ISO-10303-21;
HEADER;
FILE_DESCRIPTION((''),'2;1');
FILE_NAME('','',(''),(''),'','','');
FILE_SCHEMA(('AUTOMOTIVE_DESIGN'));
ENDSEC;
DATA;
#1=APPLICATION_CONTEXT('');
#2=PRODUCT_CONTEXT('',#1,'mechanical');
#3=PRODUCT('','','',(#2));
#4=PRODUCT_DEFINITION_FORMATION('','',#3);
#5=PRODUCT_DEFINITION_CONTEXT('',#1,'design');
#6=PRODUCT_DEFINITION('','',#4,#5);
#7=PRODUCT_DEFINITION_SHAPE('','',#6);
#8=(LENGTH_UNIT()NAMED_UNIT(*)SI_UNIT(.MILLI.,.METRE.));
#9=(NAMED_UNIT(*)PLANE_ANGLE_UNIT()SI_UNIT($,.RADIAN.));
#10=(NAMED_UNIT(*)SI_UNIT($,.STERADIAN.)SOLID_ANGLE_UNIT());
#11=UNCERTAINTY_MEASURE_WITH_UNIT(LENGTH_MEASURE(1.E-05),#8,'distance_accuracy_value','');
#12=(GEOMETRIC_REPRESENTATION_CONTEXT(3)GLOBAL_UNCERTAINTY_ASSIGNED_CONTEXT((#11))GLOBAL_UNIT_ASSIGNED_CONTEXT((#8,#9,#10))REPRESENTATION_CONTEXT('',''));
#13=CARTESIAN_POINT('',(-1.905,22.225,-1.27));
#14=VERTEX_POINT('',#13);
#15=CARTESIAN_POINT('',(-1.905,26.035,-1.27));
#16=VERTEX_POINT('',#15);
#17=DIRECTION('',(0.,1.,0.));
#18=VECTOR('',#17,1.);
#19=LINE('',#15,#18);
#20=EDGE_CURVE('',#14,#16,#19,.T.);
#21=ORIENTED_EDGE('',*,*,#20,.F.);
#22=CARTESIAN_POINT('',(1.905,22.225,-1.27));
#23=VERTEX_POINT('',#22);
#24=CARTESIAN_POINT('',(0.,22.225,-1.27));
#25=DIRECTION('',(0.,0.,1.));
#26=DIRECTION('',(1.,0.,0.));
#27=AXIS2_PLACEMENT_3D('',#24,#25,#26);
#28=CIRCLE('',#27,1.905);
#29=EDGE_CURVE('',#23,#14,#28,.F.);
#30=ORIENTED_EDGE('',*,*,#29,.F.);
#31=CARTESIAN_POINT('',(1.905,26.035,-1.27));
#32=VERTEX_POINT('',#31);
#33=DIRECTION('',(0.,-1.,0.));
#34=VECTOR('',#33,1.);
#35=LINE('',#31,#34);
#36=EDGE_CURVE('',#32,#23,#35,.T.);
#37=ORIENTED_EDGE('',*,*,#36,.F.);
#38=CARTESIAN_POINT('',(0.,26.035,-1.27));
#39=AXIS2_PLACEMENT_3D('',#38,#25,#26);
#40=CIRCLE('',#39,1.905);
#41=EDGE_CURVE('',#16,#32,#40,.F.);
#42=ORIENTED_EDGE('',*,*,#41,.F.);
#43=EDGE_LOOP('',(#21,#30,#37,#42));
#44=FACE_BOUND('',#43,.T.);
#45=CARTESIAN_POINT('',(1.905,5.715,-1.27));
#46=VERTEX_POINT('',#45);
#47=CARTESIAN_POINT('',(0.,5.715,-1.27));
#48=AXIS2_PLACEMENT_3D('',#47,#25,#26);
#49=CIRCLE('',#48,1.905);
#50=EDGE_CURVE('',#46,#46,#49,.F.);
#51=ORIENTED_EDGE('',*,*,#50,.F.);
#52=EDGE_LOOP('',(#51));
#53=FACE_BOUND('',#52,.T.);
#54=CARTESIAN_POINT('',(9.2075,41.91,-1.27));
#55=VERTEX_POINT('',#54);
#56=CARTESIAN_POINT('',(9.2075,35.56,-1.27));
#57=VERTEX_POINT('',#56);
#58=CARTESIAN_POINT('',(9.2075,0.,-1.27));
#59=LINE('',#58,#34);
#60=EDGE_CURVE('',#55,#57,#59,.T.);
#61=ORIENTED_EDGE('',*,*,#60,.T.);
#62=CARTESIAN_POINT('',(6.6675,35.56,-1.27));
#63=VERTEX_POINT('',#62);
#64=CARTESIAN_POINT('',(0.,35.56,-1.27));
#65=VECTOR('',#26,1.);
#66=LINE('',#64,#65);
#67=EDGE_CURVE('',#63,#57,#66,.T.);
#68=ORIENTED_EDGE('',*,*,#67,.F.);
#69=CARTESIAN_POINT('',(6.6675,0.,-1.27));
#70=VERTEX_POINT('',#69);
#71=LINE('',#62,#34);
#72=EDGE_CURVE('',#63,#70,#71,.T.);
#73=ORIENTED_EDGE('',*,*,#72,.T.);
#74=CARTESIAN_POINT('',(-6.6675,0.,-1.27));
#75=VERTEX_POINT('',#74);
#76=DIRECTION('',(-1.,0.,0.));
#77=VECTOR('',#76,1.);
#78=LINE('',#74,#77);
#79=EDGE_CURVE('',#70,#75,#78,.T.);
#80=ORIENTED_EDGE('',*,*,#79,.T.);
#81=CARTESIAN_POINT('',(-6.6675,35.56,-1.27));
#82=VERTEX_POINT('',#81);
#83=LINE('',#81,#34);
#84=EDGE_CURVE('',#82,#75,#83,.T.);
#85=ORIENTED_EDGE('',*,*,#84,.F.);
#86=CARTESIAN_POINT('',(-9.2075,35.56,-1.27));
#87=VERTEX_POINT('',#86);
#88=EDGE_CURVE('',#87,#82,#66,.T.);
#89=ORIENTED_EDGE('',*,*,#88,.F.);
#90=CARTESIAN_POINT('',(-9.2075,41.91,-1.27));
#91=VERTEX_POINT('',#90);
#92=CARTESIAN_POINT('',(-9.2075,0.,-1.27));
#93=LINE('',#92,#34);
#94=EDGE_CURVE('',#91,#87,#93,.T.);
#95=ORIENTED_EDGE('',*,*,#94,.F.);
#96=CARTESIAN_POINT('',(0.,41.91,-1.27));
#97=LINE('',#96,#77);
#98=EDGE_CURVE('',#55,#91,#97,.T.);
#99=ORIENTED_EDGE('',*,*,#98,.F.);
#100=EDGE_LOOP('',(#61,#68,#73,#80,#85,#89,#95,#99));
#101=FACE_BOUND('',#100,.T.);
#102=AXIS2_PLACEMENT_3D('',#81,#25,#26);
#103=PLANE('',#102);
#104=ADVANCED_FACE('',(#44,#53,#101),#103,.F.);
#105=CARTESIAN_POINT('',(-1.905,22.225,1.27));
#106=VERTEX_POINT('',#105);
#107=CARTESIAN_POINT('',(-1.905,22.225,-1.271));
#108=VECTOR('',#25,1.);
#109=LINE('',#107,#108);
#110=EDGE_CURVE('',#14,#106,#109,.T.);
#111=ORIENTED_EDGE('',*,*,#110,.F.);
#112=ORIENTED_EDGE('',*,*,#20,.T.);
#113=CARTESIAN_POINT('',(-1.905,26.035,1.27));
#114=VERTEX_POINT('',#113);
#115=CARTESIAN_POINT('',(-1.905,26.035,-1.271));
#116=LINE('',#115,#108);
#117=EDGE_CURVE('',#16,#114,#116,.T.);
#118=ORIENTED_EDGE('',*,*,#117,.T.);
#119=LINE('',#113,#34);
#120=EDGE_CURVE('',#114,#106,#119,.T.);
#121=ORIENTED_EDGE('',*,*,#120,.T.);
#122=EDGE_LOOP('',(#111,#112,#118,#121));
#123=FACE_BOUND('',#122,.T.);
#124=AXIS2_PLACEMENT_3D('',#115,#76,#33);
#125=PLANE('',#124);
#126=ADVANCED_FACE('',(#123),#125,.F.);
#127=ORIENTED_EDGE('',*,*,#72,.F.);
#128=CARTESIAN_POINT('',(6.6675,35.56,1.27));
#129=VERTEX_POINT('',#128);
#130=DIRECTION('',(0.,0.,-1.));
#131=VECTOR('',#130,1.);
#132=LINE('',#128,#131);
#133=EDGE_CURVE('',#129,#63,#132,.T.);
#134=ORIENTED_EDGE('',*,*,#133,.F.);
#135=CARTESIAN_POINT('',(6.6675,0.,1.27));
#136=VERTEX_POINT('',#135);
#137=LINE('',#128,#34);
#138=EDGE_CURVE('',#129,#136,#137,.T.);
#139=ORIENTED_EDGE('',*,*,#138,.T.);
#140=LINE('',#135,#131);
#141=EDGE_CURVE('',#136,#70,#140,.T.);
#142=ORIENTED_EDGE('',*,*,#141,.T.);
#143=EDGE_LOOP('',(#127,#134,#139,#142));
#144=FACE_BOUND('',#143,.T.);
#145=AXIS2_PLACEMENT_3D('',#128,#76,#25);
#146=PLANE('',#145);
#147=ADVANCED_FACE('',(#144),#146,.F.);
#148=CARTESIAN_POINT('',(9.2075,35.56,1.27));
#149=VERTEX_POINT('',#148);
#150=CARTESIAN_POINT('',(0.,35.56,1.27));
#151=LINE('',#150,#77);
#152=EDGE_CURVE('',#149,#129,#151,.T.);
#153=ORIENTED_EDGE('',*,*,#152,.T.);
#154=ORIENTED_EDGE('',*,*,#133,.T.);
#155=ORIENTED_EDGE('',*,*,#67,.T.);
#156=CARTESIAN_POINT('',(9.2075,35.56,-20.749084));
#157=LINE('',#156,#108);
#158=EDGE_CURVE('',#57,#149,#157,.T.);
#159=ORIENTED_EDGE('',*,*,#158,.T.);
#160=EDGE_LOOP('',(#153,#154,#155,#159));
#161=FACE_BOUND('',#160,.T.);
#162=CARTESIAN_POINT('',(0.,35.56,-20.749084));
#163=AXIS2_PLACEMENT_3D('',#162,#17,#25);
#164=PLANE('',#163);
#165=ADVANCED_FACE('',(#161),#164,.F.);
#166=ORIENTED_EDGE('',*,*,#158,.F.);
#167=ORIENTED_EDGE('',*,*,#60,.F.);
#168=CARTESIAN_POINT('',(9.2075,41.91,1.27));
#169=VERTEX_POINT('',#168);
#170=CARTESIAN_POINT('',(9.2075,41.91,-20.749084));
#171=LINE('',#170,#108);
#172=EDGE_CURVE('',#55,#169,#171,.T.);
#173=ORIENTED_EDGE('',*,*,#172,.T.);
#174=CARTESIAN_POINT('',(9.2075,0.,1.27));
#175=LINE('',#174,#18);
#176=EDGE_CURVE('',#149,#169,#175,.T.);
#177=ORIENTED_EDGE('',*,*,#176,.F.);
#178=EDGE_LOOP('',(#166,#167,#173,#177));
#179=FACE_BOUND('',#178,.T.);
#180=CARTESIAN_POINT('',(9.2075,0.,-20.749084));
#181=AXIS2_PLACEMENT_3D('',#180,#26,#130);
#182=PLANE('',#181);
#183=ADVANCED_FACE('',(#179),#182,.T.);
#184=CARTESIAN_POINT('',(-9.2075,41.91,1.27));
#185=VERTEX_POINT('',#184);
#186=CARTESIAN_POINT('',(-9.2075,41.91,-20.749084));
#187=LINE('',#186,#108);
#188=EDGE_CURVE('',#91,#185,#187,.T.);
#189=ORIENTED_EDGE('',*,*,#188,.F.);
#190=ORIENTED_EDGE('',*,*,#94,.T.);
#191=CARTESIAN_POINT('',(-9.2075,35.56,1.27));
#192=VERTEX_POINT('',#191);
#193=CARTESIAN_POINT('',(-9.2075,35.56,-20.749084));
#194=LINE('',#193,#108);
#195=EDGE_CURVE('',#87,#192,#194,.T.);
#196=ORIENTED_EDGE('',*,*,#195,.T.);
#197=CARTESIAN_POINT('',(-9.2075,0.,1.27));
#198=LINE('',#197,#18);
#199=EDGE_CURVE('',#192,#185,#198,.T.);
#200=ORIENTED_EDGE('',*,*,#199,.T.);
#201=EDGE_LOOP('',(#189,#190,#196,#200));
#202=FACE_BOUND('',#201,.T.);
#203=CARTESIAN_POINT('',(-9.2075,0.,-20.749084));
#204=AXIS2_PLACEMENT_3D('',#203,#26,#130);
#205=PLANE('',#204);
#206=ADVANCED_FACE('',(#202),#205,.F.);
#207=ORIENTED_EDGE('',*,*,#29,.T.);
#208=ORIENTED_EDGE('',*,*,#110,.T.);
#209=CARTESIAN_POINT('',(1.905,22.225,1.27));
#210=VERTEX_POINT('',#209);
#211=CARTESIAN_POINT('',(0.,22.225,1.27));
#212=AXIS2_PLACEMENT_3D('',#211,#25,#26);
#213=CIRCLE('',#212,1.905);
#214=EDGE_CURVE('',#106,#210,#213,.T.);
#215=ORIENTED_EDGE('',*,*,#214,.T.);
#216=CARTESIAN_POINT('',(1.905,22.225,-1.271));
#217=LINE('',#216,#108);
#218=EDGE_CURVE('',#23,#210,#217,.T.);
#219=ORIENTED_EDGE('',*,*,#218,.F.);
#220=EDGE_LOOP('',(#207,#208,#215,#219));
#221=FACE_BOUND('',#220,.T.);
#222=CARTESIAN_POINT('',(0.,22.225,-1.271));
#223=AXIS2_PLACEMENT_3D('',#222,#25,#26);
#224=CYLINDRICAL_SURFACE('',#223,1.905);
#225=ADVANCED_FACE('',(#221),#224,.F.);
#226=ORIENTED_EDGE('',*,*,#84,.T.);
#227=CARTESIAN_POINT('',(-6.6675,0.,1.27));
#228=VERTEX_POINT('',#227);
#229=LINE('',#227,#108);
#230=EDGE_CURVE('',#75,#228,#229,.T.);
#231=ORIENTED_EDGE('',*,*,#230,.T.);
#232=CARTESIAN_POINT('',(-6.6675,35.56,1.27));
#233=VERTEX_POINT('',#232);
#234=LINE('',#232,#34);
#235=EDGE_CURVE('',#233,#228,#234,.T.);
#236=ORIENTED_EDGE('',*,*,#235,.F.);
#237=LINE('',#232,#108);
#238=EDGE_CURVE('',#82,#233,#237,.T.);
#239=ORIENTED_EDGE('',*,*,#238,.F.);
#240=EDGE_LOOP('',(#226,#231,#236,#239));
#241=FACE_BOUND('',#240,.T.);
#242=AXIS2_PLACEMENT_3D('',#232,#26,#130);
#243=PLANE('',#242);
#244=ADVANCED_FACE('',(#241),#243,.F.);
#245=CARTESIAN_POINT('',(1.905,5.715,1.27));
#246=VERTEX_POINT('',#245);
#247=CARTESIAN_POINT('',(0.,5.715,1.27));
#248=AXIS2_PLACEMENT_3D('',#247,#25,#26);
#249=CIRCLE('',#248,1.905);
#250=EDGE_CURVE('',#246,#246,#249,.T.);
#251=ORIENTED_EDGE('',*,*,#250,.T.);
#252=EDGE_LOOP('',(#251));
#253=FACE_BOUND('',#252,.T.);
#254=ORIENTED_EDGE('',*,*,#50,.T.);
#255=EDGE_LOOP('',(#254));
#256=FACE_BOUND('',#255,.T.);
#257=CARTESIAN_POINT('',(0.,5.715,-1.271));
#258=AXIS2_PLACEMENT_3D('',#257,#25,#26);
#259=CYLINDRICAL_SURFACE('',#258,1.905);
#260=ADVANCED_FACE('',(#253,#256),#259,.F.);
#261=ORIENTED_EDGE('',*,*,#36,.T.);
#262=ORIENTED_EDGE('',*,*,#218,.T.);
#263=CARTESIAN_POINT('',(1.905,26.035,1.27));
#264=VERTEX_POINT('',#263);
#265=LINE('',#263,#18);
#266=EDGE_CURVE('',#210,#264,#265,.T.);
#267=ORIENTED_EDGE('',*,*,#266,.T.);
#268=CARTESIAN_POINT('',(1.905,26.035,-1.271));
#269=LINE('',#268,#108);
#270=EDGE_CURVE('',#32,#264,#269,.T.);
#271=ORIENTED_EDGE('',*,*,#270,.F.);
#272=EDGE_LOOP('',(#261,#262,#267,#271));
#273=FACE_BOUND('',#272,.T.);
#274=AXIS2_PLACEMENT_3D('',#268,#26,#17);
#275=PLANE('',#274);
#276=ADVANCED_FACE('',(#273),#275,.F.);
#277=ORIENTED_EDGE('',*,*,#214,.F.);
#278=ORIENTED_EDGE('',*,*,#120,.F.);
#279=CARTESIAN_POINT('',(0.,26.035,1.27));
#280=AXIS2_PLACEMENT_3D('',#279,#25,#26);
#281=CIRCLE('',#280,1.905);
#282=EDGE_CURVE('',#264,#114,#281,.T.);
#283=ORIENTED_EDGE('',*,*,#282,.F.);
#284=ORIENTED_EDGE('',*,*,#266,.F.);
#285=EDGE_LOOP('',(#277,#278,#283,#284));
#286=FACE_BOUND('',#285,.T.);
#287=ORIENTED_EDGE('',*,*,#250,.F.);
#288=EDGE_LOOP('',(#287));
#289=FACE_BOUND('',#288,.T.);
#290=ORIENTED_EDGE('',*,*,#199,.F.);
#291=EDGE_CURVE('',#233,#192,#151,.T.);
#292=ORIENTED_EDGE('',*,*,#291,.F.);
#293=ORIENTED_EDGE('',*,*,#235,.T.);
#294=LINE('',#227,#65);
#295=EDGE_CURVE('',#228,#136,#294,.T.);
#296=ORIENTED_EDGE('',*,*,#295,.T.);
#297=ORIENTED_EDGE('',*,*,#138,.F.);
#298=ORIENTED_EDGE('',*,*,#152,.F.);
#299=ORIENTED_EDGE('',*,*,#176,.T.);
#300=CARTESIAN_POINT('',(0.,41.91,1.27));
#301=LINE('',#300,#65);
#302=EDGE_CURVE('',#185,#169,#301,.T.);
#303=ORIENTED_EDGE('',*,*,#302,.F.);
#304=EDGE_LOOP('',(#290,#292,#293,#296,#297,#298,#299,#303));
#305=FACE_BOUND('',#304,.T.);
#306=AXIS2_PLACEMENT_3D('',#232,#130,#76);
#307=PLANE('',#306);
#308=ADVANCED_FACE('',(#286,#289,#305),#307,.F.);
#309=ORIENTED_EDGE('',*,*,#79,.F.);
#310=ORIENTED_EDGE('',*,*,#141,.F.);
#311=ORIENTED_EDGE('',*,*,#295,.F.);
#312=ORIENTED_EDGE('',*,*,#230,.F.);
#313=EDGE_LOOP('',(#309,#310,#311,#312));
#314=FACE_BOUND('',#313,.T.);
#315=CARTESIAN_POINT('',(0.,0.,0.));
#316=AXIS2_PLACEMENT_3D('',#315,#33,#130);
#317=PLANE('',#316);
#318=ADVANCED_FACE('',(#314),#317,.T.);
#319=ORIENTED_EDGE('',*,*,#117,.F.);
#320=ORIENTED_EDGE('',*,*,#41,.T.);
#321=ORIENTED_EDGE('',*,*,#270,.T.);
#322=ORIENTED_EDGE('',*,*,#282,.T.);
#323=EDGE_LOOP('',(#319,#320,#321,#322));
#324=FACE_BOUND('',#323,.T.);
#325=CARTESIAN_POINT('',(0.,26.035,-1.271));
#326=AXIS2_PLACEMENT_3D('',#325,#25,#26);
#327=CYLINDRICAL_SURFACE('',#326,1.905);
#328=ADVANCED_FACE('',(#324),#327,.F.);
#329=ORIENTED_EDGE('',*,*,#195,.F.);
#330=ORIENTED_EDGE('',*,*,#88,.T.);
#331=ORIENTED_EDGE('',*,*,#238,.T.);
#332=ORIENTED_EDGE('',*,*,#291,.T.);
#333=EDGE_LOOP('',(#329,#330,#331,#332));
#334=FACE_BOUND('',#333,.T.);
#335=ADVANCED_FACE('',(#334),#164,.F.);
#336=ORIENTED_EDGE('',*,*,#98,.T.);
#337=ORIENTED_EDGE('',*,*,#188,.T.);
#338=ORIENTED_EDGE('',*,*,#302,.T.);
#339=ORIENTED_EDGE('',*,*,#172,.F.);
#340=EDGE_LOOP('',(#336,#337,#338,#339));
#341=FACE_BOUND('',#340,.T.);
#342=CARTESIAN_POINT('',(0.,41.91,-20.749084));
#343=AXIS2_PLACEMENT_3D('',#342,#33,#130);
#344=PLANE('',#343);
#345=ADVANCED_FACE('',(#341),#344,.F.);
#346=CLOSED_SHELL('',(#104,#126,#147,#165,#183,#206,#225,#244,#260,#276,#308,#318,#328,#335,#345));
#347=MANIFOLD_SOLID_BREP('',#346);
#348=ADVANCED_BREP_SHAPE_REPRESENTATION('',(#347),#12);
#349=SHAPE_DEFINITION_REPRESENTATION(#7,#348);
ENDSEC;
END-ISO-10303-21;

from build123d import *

# Parameters (mm, degrees)
SKETCH1_W           = 13.335
SKETCH1_H           = 2.54
BOSS_EXTRUDE1_DEPTH = 35.56
BOSS_EXTRUDE2_DEPTH = 2.54
CUT_EXTRUDE1_REACH  = 4.54
SKETCH3_R           = 1.905


with BuildPart() as part:
    # Sketch1 → Boss-Extrude1 (new body)
    with BuildSketch(Plane(origin=(0, 0, 0), x_dir=(1, 0, 0), z_dir=(0, 1, 0))):
        Rectangle(SKETCH1_W, SKETCH1_H)
    extrude(amount=BOSS_EXTRUDE1_DEPTH)

    # Sketch2 → Boss-Extrude2 (add)
    with BuildSketch(Plane.XY.offset(1.27)):
        Polygon((-9.2075, 35.56), (-6.6675, 35.56), (6.6675, 35.56), (9.2075, 35.56), (9.2075, 41.91), (-9.2075, 41.91), align=None)
    extrude(amount=-BOSS_EXTRUDE2_DEPTH)

    # Sketch3 → Cut-Extrude1 (cut, up to next)
    with BuildSketch(Plane.XY.offset(1.27), mode=Mode.PRIVATE) as cut_extrude1_sk1:
        with Locations((0, 5.715)):
            Circle(SKETCH3_R)
    cut_extrude1_tool1 = extrude(cut_extrude1_sk1.sketch, amount=-CUT_EXTRUDE1_REACH, mode=Mode.PRIVATE) & part.part
    add(cut_extrude1_tool1.solids().sort_by_distance((0, 5.715, 1.27))[0], mode=Mode.SUBTRACT)
    # Sketch3 → Cut-Extrude1 (cut, up to next)
    with BuildSketch(Plane.XY.offset(1.27), mode=Mode.PRIVATE) as cut_extrude1_sk2:
        with BuildLine():
            Line((1.905, 26.035), (1.905, 22.225))
            ThreePointArc((1.905, 22.225), (0, 20.32), (-1.905, 22.225))
            Line((-1.905, 22.225), (-1.905, 26.035))
            ThreePointArc((-1.905, 26.035), (0, 27.94), (1.905, 26.035))
        make_face()
    cut_extrude1_tool2 = extrude(cut_extrude1_sk2.sketch, amount=-CUT_EXTRUDE1_REACH, mode=Mode.PRIVATE) & part.part
    add(cut_extrude1_tool2.solids().sort_by_distance((0, 24.13, 1.27))[0], mode=Mode.SUBTRACT)


solid = part.part
